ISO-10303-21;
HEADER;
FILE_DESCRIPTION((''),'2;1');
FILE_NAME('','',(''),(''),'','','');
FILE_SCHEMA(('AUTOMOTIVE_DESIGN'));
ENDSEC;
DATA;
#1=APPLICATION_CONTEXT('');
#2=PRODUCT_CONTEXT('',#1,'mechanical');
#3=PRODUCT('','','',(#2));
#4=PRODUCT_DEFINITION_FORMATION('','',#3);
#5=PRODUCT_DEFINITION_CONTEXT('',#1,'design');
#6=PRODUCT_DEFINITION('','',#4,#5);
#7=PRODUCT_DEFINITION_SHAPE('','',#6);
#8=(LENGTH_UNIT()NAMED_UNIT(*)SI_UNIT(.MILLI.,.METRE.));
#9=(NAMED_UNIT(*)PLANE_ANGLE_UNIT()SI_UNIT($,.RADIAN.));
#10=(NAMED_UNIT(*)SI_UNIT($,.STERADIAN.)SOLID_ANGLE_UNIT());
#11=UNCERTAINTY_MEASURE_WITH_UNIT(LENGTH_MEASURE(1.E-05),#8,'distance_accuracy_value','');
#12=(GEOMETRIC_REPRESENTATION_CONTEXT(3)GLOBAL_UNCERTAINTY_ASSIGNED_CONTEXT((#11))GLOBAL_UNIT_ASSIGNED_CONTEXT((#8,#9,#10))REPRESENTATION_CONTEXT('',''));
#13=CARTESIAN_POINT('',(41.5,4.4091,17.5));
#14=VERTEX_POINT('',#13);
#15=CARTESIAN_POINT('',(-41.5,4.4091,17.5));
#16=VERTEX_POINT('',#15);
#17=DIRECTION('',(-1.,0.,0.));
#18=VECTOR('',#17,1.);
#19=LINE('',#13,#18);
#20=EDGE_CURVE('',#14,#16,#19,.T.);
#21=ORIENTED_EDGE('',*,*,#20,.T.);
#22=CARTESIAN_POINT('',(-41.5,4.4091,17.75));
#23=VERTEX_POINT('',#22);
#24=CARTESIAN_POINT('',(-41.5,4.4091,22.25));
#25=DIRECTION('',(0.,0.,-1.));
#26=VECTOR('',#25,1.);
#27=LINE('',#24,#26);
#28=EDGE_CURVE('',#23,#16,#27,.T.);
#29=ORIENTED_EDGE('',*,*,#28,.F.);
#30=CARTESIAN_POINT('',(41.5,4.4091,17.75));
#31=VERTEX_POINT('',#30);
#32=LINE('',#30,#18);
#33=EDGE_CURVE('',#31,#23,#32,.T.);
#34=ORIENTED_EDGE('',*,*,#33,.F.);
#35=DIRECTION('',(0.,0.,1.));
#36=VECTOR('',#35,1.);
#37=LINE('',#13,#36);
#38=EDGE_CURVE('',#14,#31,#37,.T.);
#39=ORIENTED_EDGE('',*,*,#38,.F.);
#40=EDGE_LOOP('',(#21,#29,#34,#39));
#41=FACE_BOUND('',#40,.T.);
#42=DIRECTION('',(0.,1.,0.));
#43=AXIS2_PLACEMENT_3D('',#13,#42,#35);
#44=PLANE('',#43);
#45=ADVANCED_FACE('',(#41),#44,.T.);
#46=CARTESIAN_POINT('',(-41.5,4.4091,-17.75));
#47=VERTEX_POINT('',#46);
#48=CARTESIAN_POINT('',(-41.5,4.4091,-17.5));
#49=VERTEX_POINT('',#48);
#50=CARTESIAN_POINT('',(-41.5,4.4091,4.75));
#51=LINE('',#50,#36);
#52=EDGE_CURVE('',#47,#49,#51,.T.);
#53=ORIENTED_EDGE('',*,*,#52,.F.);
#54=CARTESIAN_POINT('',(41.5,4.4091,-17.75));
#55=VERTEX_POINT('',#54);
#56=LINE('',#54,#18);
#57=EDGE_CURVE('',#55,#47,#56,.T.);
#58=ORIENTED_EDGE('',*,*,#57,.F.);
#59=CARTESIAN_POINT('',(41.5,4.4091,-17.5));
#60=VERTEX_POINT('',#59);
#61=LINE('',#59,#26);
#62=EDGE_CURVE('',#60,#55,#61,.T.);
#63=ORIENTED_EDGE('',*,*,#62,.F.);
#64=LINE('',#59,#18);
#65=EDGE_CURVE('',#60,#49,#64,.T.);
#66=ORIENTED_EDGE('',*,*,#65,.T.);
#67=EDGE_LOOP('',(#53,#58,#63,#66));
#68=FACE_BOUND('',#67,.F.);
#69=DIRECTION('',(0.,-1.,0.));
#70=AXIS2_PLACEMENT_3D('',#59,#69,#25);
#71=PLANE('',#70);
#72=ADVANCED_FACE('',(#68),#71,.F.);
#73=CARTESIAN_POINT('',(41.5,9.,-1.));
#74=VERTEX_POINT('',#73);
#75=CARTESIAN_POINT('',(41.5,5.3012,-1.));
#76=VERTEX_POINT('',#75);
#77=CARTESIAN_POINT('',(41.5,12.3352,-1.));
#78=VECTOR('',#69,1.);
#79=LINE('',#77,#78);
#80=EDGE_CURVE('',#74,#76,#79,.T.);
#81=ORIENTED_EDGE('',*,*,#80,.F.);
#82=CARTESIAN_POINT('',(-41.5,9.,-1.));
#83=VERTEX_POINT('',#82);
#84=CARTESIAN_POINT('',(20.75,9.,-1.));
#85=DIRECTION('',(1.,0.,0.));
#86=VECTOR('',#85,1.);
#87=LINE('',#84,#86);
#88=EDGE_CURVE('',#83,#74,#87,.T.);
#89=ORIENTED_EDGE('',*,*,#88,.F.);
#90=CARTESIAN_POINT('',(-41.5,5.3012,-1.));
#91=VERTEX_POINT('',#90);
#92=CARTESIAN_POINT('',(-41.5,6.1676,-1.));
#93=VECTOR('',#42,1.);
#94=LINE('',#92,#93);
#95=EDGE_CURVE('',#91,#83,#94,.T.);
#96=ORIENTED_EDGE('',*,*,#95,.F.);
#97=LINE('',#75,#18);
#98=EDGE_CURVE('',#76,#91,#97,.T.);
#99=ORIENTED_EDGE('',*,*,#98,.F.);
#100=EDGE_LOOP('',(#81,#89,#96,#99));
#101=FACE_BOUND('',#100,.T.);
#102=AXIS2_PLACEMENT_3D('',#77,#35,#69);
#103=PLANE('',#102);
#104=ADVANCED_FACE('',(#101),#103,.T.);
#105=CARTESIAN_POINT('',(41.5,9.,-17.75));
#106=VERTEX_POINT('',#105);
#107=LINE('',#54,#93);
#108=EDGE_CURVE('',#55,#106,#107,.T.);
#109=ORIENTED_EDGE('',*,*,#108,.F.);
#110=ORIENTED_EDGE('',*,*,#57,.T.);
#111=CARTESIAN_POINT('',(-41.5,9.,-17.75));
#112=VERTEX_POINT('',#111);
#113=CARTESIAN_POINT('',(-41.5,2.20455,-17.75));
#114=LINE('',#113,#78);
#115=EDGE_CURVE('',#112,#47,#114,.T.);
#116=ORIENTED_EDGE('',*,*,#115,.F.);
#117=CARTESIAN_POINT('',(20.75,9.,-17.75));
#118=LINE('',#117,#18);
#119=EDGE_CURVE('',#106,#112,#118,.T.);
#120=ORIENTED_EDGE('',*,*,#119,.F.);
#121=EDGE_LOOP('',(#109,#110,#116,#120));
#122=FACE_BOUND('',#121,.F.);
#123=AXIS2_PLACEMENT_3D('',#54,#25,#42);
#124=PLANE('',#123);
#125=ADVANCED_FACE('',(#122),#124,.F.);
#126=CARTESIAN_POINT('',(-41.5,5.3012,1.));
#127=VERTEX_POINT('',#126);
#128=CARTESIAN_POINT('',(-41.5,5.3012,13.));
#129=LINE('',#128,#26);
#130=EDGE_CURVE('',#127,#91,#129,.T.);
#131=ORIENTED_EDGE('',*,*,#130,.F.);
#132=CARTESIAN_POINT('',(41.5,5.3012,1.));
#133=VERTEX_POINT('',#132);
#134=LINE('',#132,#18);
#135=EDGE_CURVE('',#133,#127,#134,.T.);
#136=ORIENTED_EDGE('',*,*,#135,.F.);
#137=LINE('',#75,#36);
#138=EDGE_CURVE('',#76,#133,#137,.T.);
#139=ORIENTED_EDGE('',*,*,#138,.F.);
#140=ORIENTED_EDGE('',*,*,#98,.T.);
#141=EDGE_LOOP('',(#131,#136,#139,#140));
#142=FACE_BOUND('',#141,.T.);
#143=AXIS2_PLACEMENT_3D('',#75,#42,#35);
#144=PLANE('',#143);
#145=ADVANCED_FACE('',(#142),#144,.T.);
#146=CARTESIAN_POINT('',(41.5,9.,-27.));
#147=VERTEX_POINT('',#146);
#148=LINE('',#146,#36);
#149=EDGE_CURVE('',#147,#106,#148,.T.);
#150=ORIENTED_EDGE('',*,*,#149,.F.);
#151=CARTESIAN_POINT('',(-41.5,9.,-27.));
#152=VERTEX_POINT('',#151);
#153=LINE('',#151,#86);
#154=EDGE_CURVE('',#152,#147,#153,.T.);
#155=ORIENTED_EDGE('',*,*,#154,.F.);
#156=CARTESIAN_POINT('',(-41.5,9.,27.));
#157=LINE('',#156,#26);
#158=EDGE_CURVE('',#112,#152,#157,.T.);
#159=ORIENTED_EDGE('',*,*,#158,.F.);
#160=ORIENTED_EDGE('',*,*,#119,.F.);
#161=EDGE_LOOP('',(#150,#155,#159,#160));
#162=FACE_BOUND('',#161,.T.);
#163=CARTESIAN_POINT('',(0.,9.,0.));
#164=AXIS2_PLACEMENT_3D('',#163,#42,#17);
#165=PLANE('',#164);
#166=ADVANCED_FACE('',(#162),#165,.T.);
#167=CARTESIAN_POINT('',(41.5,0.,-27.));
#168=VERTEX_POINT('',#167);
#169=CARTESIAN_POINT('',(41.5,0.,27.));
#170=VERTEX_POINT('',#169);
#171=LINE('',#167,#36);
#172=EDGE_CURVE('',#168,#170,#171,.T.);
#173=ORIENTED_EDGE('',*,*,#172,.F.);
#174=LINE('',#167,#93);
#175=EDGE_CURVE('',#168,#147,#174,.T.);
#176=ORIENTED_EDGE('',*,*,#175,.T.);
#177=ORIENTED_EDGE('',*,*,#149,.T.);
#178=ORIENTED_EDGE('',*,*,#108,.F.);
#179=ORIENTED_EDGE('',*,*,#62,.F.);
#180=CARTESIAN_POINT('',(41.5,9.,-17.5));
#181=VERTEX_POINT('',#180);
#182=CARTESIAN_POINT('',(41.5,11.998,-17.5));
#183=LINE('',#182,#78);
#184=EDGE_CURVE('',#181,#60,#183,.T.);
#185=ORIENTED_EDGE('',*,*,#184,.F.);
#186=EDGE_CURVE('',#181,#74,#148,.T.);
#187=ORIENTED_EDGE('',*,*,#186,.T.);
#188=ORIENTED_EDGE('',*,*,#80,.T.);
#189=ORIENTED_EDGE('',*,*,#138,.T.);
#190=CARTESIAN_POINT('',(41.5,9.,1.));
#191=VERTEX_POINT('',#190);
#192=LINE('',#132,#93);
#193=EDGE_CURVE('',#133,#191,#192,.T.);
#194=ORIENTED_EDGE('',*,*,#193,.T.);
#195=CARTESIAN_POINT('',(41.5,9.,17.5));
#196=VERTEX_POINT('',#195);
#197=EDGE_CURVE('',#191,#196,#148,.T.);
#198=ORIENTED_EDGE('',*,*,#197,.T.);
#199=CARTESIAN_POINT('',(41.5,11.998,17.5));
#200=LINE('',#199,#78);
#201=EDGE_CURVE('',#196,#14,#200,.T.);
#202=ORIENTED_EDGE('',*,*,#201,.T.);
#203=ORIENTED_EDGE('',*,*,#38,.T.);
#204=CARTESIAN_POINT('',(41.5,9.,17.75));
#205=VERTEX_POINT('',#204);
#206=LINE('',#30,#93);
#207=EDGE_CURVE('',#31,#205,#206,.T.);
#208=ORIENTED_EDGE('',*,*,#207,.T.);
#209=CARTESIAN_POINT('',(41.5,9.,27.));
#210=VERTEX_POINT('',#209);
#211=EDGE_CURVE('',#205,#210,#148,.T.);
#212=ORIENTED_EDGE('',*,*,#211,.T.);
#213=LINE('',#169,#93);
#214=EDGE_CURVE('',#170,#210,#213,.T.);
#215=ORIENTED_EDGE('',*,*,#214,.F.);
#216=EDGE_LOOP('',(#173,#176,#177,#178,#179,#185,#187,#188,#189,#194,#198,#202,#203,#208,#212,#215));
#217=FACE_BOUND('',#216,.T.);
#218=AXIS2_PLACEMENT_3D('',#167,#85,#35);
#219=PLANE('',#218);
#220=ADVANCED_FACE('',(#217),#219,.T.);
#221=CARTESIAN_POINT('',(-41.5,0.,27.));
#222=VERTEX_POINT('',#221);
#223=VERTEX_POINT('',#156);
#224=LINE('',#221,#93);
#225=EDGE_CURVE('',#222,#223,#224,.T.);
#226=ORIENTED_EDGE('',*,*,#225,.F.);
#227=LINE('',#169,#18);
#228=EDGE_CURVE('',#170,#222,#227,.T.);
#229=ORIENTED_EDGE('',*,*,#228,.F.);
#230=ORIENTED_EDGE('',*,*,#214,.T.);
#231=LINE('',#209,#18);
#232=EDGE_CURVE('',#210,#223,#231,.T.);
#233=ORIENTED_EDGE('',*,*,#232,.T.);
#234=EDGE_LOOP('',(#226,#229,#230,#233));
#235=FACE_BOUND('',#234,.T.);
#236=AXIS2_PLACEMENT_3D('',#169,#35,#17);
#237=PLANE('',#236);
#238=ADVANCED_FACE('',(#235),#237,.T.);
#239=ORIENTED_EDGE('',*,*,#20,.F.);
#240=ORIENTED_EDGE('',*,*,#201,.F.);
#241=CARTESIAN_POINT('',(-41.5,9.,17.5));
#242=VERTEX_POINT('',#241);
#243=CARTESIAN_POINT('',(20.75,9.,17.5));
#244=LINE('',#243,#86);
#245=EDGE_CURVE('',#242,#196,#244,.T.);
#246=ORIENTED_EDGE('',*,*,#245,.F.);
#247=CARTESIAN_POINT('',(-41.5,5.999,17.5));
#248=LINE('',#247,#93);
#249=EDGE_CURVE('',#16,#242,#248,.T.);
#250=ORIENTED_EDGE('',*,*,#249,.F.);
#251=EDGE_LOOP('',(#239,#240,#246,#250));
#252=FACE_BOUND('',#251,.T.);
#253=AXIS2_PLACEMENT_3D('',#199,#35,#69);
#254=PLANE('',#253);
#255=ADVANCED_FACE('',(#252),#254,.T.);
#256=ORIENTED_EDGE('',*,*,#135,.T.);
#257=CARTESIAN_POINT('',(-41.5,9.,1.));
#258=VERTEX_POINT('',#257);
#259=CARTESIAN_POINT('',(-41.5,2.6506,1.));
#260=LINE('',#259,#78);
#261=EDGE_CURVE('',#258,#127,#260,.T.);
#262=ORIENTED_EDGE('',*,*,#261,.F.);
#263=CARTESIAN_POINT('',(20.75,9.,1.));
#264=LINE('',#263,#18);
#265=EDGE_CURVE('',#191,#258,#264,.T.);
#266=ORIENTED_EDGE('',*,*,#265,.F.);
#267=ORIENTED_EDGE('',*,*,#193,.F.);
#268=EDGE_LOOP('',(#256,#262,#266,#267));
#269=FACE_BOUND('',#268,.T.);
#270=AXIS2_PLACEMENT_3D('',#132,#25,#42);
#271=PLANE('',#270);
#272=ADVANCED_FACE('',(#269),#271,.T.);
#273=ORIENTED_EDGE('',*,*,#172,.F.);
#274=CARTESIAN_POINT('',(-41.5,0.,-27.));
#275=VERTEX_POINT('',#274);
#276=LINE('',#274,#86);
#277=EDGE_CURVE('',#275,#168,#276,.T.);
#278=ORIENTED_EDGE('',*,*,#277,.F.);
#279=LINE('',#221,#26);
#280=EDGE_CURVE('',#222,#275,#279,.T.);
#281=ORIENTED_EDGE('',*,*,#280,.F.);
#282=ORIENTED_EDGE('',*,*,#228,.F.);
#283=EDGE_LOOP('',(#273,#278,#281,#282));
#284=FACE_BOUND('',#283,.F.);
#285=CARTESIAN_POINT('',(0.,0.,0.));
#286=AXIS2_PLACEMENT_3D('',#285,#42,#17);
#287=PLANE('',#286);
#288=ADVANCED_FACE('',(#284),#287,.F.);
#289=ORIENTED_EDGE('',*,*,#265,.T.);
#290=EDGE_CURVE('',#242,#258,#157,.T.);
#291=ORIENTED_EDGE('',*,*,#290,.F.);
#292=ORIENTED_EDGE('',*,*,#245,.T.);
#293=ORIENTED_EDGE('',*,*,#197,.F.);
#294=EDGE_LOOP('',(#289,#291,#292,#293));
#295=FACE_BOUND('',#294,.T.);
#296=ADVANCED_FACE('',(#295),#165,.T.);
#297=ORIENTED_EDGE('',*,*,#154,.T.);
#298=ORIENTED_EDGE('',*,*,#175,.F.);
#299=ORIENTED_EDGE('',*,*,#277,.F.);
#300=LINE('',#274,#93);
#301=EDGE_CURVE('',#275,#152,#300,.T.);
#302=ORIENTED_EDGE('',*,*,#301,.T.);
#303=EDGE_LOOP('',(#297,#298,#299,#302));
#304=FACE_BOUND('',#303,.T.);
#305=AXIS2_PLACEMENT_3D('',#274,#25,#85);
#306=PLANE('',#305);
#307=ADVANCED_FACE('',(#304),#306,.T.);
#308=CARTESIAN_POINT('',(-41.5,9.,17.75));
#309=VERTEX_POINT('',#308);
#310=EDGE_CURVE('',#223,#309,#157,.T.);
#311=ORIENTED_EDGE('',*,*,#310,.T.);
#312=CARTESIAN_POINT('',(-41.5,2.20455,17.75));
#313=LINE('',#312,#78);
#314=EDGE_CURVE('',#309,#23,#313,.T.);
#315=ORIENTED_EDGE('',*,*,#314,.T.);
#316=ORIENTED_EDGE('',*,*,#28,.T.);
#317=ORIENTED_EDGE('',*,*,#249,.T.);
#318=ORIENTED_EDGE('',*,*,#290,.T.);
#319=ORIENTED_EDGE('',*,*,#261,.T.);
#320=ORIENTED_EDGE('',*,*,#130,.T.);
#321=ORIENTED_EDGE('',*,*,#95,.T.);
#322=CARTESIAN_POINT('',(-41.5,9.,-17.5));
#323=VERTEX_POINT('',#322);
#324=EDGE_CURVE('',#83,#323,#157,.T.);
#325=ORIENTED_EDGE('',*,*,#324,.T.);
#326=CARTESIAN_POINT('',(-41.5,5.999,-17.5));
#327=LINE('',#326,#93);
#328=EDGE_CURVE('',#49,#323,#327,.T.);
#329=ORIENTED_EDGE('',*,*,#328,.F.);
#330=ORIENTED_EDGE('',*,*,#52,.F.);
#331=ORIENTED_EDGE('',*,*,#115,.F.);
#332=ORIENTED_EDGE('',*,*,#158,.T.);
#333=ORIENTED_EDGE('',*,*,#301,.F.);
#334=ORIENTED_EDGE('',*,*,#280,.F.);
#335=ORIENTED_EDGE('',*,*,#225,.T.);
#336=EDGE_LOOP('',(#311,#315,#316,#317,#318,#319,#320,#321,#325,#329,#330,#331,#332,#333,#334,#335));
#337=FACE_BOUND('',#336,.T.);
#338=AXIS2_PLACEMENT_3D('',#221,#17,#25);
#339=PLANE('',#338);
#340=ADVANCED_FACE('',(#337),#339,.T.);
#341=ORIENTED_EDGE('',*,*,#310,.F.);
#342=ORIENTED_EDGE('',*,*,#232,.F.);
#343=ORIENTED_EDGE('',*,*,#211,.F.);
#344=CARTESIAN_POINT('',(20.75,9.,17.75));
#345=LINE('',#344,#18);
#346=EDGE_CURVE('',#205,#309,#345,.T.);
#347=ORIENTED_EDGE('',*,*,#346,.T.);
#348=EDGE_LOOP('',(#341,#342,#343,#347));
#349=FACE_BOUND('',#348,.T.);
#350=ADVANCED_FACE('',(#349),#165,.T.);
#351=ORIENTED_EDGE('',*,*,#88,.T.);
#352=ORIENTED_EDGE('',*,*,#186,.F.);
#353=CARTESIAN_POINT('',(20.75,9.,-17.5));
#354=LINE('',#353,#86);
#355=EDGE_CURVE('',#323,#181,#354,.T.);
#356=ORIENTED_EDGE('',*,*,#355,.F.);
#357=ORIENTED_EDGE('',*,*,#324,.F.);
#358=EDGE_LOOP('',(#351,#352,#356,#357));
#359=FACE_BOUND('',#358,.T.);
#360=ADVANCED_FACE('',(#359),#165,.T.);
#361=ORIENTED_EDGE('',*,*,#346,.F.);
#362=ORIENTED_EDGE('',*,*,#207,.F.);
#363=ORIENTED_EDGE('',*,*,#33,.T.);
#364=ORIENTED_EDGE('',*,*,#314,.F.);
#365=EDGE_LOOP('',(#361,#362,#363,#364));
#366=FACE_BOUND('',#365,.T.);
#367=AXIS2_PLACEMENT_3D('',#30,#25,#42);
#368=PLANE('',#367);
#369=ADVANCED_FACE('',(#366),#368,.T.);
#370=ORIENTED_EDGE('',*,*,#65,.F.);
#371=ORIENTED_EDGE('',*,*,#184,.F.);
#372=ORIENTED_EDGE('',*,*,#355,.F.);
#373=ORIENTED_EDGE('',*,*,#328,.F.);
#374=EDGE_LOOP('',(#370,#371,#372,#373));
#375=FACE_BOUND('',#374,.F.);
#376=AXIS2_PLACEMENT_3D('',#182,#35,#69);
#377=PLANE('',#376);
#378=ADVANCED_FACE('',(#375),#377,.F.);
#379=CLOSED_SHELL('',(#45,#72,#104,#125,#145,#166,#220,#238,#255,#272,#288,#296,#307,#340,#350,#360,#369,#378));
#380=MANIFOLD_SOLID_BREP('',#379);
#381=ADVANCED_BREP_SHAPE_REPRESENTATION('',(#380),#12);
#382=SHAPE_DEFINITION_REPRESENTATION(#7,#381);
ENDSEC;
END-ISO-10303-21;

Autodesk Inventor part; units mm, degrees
ref_plane "YZ Plane" through (0, 0, 0) normal (1, 0, 0) x (0, 1, 0)
ref_plane "XZ Plane" through (0, 0, 0) normal (0, 1, 0) x (-1, 0, 0)
ref_plane "XY Plane" through (0, 0, 0) normal (0, 0, 1) x (1, 0, 0)
sketch "Sketch1" plane through (0, 0, 0) normal (0, 1, 0) x (-1, 0, 0)
  line L0 (41.5, -27) -> (-41.5, -27)
  line L1 (-41.5, -27) -> (-41.5, 27)
  line L2 (-41.5, 27) -> (41.5, 27)
  line L3 (41.5, 27) -> (41.5, -27)
  line L4 (41.5, -27) -> (-41.5, 27) construction
  line L5 (-41.5, -27) -> (41.5, 27) construction
  point P0 (0, 0)
  dimension "d0" = 83
  dimension "d1" = 54
extrude "Extrusion1" add sketch "Sketch1" along normal blind 9
sketch "Sketch2" plane through (41.5, 0, 27) normal (1, 0, 0) x (0, 0, -1)
  line L0 (27, 0) -> (27, 8.8182) construction
  line L1 (27, 4.4091) -> (44.5, 4.4091) construction
  line L2 (44.5, 4.4091) -> (44.75, 4.4091)
  line L3 (44.75, 4.4091) -> (44.75, 11.998)
  line L4 (44.75, 11.998) -> (44.5, 11.998)
  line L5 (44.5, 11.998) -> (44.5, 4.4091)
  line L6 (9.5, 4.4091) -> (9.25, 4.4091)
  line L7 (9.25, 4.4091) -> (9.25, 11.998)
  line L8 (9.25, 11.998) -> (9.5, 11.998)
  line L9 (9.5, 11.998) -> (9.5, 4.4091)
  line L10 (26, 12.3352) -> (28, 12.3352)
  line L11 (28, 12.3352) -> (28, 5.3012)
  line L12 (28, 5.3012) -> (26, 5.3012)
  line L13 (26, 5.3012) -> (26, 12.3352)
  line L14 (26, 12.3352) -> (28, 5.3012) construction
  line L15 (28, 12.3352) -> (26, 5.3012) construction
  dimension "d4" = 17.5
  dimension "d5" = 0.25
  dimension "d6" = 2
  dimension "d7" = 7.034
extrude "Extrusion2" cut sketch "Sketch2" against normal blind 109.0125
properties part number "Small Bread Board" material "PC/ABS Plastic"
